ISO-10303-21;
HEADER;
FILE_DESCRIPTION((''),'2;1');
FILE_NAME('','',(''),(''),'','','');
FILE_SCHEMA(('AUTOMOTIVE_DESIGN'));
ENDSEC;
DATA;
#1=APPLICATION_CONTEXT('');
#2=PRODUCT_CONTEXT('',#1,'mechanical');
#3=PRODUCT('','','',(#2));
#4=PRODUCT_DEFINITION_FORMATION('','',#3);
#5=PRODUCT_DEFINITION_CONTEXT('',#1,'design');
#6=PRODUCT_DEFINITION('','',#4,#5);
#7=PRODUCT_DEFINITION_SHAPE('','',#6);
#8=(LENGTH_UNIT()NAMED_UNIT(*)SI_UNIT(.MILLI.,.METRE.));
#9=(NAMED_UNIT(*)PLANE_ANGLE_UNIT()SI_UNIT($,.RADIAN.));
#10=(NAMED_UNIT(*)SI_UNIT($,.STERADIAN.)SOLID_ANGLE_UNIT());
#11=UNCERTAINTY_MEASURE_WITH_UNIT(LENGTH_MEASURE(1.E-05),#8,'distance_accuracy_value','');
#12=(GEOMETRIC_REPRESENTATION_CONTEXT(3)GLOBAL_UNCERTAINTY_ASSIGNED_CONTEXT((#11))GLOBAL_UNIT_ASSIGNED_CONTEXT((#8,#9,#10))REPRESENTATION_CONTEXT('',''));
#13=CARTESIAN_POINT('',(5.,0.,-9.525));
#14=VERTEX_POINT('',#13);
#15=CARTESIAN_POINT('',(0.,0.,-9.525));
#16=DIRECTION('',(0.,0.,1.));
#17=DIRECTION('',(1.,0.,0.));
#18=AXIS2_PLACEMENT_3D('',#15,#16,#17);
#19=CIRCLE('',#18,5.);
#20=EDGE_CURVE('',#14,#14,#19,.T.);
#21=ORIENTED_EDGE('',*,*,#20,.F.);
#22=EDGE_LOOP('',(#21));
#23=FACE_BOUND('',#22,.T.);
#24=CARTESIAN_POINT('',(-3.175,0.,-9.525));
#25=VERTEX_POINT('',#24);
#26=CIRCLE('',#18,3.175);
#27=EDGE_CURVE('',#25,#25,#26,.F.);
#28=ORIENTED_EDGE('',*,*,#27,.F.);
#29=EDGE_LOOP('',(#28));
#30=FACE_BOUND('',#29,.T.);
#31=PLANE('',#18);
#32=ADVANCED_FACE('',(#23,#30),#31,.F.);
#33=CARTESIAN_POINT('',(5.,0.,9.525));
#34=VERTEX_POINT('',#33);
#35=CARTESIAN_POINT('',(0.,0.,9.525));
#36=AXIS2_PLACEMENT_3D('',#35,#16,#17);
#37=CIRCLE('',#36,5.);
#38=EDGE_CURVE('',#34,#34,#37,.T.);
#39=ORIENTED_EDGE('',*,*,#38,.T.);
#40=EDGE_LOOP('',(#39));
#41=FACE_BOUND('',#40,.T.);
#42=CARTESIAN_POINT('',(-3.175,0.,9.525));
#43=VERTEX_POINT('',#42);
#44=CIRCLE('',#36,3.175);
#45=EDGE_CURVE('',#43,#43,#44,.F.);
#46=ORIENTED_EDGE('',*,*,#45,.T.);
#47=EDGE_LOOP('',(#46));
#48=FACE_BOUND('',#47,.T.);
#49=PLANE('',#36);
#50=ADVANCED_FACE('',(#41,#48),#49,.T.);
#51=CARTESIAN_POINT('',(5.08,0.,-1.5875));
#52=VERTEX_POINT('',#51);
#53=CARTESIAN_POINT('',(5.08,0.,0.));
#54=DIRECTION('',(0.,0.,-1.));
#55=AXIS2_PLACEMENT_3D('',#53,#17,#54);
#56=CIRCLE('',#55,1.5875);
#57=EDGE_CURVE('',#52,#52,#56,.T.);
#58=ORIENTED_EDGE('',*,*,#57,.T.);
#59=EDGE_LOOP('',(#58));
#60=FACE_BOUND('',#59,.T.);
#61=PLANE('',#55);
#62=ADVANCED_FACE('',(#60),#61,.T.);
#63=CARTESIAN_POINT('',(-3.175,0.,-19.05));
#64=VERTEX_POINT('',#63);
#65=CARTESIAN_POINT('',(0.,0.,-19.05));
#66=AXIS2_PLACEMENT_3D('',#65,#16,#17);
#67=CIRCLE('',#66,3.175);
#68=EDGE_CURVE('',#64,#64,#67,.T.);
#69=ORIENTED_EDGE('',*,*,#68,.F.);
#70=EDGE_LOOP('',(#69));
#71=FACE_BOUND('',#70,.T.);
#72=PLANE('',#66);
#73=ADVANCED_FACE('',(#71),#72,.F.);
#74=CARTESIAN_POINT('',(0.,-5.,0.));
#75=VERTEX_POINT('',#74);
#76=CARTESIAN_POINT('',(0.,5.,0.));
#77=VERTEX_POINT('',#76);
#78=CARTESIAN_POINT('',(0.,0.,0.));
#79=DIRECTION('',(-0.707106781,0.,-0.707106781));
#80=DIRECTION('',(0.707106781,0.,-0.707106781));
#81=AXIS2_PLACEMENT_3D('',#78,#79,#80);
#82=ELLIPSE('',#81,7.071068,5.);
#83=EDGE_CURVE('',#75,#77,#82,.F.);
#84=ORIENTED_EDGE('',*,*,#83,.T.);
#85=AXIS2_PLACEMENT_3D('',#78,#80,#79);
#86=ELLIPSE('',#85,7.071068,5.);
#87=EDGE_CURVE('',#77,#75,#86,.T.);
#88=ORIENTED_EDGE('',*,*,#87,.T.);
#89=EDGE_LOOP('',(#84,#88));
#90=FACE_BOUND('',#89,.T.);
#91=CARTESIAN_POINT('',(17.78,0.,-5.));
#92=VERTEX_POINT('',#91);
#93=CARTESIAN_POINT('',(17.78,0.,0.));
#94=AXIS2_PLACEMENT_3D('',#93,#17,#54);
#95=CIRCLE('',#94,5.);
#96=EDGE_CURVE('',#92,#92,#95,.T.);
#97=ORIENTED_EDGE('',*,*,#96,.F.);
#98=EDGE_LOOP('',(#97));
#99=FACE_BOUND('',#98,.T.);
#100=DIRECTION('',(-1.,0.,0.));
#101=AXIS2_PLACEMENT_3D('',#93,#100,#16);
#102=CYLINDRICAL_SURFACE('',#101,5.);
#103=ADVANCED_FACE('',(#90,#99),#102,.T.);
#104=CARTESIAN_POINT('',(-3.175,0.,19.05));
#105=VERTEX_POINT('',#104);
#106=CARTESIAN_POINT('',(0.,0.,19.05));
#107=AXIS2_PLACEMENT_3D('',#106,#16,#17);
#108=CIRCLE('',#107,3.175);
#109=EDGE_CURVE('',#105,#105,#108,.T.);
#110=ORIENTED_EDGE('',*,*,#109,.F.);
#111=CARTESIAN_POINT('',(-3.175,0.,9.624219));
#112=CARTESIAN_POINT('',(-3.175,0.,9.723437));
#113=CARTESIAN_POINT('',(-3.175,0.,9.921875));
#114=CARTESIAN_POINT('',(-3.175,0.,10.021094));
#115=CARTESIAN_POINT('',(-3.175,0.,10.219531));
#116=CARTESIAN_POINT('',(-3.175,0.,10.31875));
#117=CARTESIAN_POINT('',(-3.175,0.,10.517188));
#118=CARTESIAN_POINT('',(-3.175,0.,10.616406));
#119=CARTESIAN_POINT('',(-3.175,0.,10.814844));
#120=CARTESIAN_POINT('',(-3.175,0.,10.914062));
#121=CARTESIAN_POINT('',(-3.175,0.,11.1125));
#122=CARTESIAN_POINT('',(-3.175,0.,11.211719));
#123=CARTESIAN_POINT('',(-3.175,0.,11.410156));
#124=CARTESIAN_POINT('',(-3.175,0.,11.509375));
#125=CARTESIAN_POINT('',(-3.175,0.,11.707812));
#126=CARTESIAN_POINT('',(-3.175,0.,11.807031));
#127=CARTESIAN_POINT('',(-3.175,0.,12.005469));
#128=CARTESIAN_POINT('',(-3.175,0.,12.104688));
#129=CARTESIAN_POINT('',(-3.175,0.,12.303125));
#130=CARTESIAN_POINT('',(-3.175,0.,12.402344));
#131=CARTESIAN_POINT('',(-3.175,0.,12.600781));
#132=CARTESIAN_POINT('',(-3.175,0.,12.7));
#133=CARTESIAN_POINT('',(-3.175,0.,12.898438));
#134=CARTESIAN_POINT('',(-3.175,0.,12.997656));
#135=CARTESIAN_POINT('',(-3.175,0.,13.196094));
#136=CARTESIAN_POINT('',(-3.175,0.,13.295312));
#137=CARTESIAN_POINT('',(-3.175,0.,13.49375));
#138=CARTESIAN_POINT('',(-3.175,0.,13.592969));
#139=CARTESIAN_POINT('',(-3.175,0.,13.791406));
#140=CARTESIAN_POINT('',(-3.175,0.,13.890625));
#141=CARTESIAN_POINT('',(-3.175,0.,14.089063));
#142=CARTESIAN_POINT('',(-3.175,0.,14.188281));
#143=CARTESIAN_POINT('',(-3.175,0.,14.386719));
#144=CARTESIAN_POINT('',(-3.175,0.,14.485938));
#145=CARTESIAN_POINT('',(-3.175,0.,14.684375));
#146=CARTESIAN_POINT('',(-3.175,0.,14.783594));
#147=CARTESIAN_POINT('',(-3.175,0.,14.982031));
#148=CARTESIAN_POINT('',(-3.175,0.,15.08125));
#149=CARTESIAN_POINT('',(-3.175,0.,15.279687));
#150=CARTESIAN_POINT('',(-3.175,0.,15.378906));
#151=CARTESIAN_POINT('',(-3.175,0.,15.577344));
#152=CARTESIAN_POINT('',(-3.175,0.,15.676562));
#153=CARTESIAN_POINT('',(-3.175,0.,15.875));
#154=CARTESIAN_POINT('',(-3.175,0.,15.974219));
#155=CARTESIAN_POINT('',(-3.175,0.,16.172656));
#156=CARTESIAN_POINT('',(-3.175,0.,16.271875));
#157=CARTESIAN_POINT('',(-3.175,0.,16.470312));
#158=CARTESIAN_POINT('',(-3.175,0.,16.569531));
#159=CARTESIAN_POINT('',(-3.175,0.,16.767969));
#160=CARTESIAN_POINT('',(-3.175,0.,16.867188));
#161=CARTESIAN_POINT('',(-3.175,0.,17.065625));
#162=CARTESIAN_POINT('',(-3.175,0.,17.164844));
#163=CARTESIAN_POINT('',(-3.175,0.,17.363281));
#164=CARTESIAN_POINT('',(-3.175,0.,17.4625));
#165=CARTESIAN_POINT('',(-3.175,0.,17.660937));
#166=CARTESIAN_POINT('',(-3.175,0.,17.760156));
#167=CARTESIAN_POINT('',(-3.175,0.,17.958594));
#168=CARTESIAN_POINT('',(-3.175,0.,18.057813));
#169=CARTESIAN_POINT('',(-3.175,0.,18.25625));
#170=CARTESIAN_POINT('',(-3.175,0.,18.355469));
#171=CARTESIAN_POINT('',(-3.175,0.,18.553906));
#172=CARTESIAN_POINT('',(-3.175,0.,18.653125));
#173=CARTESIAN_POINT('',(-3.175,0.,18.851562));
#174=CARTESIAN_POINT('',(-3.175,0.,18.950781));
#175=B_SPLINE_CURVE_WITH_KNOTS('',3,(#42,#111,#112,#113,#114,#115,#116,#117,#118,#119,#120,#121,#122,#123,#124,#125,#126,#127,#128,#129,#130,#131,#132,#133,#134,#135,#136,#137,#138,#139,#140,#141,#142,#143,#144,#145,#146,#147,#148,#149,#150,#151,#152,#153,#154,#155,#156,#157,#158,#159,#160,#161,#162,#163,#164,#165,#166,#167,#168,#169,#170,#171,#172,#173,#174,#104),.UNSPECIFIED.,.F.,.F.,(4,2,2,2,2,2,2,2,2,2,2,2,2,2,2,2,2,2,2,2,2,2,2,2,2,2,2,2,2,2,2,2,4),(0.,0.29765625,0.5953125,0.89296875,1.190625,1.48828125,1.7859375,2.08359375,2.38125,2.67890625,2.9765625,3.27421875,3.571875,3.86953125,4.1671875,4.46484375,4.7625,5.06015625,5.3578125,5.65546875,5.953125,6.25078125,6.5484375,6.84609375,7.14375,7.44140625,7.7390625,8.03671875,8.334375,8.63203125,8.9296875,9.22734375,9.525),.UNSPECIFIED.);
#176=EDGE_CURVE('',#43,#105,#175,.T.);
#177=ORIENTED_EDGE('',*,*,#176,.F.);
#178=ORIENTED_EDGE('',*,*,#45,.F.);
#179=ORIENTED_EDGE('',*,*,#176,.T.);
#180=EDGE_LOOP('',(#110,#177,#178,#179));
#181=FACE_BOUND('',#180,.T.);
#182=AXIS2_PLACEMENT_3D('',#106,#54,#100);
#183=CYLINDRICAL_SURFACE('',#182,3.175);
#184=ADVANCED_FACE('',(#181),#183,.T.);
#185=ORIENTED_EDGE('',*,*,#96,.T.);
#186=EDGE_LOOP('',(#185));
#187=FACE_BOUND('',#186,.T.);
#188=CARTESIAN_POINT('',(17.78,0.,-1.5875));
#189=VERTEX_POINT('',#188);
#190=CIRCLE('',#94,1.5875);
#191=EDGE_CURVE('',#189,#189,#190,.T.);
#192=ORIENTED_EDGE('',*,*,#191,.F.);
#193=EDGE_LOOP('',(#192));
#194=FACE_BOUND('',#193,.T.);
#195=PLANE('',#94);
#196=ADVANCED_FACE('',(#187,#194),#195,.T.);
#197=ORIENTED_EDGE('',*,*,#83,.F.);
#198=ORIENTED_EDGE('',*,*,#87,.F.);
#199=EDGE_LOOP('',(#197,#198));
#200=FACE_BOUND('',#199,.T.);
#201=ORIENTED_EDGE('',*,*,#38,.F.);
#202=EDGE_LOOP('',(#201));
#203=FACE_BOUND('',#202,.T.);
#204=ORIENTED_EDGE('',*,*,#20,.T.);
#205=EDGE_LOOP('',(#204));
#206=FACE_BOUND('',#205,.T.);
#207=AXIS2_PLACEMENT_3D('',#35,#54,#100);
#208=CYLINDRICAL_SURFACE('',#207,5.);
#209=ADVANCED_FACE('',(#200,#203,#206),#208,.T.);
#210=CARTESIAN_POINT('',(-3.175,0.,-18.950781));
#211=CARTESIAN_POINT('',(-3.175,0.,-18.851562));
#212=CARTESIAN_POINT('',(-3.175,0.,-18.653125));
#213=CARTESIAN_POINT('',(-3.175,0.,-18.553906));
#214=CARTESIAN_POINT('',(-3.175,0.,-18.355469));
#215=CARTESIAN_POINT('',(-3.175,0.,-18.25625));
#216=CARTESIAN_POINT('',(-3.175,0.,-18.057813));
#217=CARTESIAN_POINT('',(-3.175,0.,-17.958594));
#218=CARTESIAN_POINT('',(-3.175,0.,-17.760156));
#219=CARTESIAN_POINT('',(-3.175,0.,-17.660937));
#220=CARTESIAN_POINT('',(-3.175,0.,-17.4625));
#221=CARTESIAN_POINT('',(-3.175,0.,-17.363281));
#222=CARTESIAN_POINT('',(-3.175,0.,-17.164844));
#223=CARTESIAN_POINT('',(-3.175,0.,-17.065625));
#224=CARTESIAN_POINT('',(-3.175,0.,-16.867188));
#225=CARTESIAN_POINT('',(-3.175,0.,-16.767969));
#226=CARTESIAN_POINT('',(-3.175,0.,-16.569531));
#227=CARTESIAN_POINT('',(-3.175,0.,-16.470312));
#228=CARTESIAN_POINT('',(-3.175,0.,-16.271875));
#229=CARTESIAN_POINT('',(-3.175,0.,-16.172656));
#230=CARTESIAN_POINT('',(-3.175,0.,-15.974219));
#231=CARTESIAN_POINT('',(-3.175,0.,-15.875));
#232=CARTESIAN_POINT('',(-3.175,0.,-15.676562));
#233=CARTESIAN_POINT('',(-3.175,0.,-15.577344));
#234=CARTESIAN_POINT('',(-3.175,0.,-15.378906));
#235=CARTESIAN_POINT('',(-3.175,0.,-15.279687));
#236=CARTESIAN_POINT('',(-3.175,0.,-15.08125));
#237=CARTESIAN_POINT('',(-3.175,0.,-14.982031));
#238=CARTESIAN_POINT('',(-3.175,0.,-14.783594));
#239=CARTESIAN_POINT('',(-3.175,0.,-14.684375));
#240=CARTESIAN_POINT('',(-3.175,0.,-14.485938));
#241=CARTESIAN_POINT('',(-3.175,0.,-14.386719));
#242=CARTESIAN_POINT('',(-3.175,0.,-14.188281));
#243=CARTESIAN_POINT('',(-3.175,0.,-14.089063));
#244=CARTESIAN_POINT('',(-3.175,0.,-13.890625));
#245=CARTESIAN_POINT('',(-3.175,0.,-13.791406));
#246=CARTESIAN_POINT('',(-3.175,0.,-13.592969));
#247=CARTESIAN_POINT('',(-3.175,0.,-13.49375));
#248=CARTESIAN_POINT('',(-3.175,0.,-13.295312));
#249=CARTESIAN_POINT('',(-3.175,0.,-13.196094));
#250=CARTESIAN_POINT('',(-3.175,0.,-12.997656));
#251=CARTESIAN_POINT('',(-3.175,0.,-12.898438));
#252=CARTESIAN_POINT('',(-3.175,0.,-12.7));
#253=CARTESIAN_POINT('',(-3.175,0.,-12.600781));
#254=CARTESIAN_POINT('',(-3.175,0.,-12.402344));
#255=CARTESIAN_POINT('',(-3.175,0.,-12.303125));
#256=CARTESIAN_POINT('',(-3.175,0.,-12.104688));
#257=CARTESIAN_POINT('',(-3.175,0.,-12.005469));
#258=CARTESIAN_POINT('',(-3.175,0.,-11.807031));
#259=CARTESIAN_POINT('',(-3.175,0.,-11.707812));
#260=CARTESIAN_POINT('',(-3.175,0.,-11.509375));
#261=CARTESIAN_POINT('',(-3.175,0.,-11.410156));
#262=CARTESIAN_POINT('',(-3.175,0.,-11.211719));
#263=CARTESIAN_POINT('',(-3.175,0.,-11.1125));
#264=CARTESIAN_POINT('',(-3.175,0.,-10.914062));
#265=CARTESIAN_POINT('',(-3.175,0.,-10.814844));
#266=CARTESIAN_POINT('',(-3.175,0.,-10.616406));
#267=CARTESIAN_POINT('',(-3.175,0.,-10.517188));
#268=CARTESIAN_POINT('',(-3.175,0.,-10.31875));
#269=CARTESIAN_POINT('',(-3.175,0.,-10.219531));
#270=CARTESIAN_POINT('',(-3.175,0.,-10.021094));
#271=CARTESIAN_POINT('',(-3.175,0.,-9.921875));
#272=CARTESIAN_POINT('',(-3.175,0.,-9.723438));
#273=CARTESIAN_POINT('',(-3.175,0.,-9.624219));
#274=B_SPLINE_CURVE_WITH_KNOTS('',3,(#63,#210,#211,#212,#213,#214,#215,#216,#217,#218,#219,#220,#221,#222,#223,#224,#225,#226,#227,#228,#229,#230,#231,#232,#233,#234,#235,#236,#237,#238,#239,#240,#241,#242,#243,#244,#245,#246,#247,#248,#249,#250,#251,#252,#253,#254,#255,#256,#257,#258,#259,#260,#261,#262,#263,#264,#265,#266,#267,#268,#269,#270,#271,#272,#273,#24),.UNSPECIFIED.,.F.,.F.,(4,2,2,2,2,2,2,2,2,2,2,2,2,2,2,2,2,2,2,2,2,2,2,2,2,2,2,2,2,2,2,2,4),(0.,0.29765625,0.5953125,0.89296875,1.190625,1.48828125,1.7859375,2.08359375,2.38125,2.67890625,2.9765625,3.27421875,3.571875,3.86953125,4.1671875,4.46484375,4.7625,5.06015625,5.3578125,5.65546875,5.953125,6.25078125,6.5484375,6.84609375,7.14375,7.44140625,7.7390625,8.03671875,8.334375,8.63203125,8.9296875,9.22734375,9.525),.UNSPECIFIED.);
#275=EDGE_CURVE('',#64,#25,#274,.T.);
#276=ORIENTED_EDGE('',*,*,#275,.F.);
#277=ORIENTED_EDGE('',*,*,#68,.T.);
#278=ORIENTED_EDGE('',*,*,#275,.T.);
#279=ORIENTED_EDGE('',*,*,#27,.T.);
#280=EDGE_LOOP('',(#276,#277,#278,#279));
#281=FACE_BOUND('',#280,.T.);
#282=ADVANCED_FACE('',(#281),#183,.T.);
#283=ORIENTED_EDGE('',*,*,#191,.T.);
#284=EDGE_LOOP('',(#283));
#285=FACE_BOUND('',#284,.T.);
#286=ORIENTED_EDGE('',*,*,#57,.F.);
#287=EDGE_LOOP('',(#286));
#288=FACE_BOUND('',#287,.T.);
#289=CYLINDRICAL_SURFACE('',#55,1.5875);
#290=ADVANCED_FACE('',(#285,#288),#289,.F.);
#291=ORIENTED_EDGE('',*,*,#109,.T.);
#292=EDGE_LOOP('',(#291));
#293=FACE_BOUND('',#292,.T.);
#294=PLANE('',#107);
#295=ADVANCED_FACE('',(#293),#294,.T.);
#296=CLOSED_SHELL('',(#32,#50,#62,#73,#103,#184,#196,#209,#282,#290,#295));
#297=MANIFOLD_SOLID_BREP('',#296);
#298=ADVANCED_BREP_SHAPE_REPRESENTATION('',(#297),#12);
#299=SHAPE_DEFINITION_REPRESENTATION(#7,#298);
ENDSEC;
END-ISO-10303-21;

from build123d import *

# Parameters (mm, degrees)
SKETCH1_R           = 5
BOSS_EXTRUDE1_DEPTH = 9.525
SKETCH5_R           = 3.175
BOSS_EXTRUDE4_DEPTH = 19.05
SKETCH6_R           = 5
BOSS_EXTRUDE5_DEPTH = 17.78
SKETCH7_R           = 1.5875
CUT_EXTRUDE1_DEPTH  = 12.7


with BuildPart() as part:
    # Sketch1 → Boss-Extrude1 (new, symmetric)
    with BuildSketch(Plane.XY):
        with Locations(Location((0, 0, 0), (0, 0, 180))):
            Circle(SKETCH1_R)
    extrude(amount=BOSS_EXTRUDE1_DEPTH, both=True)

    # Sketch5 → Boss-Extrude4 (add, symmetric)
    with BuildSketch(Plane.XY):
        with Locations(Location((0, 0, 0), (0, 0, 180))):
            Circle(SKETCH5_R)
    extrude(amount=BOSS_EXTRUDE4_DEPTH, both=True)

    # Sketch6 → Boss-Extrude5 (add)
    with BuildSketch(Plane(origin=(0, 0, 0), x_dir=(0, 0, -1), z_dir=(1, 0, 0))):
        Circle(SKETCH6_R)
    extrude(amount=BOSS_EXTRUDE5_DEPTH)

    # Sketch7 → Cut-Extrude1 (cut)
    with BuildSketch(Plane(origin=(17.78, 0, 0), x_dir=(0, 0, -1), z_dir=(1, 0, 0))):
        Circle(SKETCH7_R)
    extrude(amount=-CUT_EXTRUDE1_DEPTH, mode=Mode.SUBTRACT)


solid = part.part
